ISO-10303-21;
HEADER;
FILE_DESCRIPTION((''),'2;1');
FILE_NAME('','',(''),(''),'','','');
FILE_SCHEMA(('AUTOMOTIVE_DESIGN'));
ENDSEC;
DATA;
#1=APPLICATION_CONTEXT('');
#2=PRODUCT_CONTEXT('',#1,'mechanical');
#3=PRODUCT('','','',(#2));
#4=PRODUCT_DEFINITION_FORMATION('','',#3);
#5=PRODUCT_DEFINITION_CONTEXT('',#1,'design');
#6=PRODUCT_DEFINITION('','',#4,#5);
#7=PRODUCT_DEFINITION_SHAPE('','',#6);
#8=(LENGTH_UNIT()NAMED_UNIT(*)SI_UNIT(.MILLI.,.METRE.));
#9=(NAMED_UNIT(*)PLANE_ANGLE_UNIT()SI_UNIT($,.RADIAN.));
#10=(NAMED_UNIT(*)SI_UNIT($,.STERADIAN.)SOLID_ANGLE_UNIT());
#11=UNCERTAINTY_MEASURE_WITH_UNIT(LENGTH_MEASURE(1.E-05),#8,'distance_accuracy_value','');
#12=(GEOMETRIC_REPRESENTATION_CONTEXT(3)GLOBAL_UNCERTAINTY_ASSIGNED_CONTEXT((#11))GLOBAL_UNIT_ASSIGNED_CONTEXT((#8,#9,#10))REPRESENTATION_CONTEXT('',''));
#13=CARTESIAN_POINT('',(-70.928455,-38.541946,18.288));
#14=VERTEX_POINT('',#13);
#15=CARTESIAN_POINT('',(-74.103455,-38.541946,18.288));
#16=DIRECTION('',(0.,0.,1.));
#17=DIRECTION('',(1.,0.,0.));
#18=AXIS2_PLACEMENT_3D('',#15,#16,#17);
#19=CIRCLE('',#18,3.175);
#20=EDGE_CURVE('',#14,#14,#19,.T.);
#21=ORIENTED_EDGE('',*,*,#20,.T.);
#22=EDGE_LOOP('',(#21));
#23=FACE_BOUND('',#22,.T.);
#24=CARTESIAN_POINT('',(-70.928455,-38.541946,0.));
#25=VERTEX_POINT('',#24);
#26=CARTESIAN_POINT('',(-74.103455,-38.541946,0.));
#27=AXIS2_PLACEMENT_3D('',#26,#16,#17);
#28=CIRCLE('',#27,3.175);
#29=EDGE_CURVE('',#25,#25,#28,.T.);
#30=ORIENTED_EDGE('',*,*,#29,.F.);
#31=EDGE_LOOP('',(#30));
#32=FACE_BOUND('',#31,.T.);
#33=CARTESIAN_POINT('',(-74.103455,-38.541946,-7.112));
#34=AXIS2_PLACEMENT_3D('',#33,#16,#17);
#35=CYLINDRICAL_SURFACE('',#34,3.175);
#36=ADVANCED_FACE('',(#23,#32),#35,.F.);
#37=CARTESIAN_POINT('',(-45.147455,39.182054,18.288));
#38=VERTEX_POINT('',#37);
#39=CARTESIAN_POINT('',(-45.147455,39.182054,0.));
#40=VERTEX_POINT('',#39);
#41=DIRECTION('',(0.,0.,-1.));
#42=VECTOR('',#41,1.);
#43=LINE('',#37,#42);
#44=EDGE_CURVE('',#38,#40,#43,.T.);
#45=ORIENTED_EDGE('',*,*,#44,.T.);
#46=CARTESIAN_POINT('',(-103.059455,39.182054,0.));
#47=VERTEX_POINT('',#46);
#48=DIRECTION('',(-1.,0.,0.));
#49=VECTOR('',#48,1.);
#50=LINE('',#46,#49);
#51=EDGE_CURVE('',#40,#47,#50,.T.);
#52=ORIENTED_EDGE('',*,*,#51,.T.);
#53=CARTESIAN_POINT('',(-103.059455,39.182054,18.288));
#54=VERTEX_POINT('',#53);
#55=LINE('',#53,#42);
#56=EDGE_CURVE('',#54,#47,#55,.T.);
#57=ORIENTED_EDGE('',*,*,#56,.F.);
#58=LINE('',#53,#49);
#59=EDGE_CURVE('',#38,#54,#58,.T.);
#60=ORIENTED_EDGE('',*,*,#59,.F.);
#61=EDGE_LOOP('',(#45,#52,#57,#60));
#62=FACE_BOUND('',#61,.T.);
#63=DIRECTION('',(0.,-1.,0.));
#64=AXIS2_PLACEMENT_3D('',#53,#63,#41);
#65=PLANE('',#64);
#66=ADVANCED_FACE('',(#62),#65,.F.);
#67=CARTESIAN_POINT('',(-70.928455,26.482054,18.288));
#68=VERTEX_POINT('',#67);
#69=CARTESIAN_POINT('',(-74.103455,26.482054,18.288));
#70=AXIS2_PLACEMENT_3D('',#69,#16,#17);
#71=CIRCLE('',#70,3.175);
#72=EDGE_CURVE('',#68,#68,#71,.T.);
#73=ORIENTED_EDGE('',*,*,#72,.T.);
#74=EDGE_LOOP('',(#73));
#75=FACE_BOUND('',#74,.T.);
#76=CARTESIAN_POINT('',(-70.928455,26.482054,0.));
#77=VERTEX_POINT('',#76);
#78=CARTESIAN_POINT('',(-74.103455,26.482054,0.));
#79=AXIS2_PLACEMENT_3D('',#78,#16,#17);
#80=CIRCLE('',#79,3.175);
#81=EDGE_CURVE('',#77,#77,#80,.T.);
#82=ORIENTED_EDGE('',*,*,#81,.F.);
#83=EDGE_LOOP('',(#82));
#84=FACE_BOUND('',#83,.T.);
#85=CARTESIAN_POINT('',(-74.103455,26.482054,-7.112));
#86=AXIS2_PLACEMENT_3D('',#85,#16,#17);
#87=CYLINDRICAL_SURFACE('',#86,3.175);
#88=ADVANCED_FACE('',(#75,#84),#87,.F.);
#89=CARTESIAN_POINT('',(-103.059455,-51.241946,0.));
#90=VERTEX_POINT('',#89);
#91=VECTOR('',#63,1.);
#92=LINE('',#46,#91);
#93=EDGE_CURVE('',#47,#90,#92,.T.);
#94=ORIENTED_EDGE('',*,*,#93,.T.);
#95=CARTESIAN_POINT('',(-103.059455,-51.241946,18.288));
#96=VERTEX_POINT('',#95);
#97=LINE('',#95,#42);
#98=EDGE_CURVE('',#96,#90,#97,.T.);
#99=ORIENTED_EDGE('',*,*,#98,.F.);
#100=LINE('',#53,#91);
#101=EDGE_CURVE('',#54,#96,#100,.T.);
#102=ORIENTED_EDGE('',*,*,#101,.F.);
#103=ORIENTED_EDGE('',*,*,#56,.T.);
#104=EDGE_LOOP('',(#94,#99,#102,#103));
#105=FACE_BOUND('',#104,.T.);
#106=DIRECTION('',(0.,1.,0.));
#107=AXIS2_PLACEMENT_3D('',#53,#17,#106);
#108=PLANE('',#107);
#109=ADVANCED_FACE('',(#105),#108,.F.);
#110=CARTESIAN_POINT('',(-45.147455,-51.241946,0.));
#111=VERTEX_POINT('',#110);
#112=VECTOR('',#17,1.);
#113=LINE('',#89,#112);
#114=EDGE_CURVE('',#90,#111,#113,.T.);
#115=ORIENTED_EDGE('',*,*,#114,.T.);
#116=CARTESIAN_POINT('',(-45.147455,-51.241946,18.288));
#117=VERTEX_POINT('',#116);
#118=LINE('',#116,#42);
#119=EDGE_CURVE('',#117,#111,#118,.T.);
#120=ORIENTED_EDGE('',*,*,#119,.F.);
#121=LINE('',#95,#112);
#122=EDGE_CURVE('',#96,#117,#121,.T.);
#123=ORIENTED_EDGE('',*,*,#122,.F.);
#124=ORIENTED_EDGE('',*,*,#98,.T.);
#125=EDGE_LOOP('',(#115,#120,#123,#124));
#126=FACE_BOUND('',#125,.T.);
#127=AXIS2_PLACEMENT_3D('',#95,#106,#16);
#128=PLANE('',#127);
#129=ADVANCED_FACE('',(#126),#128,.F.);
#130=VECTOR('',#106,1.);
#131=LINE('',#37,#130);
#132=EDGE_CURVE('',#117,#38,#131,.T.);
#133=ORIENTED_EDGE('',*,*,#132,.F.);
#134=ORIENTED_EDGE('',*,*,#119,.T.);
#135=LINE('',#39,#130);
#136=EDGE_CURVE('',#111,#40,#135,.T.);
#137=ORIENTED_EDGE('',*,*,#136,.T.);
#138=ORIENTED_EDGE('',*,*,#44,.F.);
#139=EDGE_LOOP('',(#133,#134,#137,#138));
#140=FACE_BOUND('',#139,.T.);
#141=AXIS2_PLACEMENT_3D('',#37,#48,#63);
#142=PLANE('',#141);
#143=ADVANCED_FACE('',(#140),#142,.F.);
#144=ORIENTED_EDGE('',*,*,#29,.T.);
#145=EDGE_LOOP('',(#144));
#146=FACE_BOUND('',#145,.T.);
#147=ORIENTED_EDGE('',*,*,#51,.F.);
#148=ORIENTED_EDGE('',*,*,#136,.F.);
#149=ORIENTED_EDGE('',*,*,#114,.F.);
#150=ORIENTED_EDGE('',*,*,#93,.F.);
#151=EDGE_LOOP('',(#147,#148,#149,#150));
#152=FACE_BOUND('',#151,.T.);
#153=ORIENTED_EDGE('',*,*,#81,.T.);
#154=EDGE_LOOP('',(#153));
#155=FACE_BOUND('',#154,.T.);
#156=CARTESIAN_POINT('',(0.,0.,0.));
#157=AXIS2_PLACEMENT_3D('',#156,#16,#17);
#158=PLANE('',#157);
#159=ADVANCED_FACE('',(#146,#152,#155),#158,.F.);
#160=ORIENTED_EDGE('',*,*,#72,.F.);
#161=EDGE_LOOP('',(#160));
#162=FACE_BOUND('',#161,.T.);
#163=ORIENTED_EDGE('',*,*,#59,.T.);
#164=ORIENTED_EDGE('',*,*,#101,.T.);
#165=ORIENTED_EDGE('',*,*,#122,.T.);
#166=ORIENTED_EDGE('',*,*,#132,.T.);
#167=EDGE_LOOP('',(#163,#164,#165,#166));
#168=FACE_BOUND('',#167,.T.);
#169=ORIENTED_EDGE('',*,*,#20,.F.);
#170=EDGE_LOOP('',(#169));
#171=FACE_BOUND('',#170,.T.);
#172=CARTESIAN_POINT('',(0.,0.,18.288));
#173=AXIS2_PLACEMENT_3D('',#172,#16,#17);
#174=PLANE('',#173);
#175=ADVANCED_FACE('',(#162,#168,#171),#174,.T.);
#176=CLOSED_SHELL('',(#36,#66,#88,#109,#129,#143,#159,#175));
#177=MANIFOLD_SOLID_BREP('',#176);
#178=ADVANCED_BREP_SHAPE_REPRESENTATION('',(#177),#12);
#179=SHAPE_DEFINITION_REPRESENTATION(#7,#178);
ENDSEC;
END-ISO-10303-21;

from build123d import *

# Parameters (mm, degrees)
SKETCH1_W           = 57.912
SKETCH1_H           = 90.424
BOSS_EXTRUDE1_DEPTH = 18.288
SKETCH2_R           = 3.175
CUT_EXTRUDE2_DEPTH  = 25.4


with BuildPart() as part:
    # Sketch1 → Boss-Extrude1 (new body)
    with BuildSketch(Plane.XY):
        with Locations((-74.103455126, -6.029946441)):
            Rectangle(SKETCH1_W, SKETCH1_H)
    extrude(amount=BOSS_EXTRUDE1_DEPTH)

    # Sketch2 → Cut-Extrude2 (cut)
    with BuildSketch(Plane.XY.offset(18.288)):
        with Locations((-74.103455126, 26.482053559)):
            Circle(SKETCH2_R)
        with Locations((-74.103455126, -38.541946441)):
            Circle(SKETCH2_R)
    extrude(amount=-CUT_EXTRUDE2_DEPTH, mode=Mode.SUBTRACT)


solid = part.part
